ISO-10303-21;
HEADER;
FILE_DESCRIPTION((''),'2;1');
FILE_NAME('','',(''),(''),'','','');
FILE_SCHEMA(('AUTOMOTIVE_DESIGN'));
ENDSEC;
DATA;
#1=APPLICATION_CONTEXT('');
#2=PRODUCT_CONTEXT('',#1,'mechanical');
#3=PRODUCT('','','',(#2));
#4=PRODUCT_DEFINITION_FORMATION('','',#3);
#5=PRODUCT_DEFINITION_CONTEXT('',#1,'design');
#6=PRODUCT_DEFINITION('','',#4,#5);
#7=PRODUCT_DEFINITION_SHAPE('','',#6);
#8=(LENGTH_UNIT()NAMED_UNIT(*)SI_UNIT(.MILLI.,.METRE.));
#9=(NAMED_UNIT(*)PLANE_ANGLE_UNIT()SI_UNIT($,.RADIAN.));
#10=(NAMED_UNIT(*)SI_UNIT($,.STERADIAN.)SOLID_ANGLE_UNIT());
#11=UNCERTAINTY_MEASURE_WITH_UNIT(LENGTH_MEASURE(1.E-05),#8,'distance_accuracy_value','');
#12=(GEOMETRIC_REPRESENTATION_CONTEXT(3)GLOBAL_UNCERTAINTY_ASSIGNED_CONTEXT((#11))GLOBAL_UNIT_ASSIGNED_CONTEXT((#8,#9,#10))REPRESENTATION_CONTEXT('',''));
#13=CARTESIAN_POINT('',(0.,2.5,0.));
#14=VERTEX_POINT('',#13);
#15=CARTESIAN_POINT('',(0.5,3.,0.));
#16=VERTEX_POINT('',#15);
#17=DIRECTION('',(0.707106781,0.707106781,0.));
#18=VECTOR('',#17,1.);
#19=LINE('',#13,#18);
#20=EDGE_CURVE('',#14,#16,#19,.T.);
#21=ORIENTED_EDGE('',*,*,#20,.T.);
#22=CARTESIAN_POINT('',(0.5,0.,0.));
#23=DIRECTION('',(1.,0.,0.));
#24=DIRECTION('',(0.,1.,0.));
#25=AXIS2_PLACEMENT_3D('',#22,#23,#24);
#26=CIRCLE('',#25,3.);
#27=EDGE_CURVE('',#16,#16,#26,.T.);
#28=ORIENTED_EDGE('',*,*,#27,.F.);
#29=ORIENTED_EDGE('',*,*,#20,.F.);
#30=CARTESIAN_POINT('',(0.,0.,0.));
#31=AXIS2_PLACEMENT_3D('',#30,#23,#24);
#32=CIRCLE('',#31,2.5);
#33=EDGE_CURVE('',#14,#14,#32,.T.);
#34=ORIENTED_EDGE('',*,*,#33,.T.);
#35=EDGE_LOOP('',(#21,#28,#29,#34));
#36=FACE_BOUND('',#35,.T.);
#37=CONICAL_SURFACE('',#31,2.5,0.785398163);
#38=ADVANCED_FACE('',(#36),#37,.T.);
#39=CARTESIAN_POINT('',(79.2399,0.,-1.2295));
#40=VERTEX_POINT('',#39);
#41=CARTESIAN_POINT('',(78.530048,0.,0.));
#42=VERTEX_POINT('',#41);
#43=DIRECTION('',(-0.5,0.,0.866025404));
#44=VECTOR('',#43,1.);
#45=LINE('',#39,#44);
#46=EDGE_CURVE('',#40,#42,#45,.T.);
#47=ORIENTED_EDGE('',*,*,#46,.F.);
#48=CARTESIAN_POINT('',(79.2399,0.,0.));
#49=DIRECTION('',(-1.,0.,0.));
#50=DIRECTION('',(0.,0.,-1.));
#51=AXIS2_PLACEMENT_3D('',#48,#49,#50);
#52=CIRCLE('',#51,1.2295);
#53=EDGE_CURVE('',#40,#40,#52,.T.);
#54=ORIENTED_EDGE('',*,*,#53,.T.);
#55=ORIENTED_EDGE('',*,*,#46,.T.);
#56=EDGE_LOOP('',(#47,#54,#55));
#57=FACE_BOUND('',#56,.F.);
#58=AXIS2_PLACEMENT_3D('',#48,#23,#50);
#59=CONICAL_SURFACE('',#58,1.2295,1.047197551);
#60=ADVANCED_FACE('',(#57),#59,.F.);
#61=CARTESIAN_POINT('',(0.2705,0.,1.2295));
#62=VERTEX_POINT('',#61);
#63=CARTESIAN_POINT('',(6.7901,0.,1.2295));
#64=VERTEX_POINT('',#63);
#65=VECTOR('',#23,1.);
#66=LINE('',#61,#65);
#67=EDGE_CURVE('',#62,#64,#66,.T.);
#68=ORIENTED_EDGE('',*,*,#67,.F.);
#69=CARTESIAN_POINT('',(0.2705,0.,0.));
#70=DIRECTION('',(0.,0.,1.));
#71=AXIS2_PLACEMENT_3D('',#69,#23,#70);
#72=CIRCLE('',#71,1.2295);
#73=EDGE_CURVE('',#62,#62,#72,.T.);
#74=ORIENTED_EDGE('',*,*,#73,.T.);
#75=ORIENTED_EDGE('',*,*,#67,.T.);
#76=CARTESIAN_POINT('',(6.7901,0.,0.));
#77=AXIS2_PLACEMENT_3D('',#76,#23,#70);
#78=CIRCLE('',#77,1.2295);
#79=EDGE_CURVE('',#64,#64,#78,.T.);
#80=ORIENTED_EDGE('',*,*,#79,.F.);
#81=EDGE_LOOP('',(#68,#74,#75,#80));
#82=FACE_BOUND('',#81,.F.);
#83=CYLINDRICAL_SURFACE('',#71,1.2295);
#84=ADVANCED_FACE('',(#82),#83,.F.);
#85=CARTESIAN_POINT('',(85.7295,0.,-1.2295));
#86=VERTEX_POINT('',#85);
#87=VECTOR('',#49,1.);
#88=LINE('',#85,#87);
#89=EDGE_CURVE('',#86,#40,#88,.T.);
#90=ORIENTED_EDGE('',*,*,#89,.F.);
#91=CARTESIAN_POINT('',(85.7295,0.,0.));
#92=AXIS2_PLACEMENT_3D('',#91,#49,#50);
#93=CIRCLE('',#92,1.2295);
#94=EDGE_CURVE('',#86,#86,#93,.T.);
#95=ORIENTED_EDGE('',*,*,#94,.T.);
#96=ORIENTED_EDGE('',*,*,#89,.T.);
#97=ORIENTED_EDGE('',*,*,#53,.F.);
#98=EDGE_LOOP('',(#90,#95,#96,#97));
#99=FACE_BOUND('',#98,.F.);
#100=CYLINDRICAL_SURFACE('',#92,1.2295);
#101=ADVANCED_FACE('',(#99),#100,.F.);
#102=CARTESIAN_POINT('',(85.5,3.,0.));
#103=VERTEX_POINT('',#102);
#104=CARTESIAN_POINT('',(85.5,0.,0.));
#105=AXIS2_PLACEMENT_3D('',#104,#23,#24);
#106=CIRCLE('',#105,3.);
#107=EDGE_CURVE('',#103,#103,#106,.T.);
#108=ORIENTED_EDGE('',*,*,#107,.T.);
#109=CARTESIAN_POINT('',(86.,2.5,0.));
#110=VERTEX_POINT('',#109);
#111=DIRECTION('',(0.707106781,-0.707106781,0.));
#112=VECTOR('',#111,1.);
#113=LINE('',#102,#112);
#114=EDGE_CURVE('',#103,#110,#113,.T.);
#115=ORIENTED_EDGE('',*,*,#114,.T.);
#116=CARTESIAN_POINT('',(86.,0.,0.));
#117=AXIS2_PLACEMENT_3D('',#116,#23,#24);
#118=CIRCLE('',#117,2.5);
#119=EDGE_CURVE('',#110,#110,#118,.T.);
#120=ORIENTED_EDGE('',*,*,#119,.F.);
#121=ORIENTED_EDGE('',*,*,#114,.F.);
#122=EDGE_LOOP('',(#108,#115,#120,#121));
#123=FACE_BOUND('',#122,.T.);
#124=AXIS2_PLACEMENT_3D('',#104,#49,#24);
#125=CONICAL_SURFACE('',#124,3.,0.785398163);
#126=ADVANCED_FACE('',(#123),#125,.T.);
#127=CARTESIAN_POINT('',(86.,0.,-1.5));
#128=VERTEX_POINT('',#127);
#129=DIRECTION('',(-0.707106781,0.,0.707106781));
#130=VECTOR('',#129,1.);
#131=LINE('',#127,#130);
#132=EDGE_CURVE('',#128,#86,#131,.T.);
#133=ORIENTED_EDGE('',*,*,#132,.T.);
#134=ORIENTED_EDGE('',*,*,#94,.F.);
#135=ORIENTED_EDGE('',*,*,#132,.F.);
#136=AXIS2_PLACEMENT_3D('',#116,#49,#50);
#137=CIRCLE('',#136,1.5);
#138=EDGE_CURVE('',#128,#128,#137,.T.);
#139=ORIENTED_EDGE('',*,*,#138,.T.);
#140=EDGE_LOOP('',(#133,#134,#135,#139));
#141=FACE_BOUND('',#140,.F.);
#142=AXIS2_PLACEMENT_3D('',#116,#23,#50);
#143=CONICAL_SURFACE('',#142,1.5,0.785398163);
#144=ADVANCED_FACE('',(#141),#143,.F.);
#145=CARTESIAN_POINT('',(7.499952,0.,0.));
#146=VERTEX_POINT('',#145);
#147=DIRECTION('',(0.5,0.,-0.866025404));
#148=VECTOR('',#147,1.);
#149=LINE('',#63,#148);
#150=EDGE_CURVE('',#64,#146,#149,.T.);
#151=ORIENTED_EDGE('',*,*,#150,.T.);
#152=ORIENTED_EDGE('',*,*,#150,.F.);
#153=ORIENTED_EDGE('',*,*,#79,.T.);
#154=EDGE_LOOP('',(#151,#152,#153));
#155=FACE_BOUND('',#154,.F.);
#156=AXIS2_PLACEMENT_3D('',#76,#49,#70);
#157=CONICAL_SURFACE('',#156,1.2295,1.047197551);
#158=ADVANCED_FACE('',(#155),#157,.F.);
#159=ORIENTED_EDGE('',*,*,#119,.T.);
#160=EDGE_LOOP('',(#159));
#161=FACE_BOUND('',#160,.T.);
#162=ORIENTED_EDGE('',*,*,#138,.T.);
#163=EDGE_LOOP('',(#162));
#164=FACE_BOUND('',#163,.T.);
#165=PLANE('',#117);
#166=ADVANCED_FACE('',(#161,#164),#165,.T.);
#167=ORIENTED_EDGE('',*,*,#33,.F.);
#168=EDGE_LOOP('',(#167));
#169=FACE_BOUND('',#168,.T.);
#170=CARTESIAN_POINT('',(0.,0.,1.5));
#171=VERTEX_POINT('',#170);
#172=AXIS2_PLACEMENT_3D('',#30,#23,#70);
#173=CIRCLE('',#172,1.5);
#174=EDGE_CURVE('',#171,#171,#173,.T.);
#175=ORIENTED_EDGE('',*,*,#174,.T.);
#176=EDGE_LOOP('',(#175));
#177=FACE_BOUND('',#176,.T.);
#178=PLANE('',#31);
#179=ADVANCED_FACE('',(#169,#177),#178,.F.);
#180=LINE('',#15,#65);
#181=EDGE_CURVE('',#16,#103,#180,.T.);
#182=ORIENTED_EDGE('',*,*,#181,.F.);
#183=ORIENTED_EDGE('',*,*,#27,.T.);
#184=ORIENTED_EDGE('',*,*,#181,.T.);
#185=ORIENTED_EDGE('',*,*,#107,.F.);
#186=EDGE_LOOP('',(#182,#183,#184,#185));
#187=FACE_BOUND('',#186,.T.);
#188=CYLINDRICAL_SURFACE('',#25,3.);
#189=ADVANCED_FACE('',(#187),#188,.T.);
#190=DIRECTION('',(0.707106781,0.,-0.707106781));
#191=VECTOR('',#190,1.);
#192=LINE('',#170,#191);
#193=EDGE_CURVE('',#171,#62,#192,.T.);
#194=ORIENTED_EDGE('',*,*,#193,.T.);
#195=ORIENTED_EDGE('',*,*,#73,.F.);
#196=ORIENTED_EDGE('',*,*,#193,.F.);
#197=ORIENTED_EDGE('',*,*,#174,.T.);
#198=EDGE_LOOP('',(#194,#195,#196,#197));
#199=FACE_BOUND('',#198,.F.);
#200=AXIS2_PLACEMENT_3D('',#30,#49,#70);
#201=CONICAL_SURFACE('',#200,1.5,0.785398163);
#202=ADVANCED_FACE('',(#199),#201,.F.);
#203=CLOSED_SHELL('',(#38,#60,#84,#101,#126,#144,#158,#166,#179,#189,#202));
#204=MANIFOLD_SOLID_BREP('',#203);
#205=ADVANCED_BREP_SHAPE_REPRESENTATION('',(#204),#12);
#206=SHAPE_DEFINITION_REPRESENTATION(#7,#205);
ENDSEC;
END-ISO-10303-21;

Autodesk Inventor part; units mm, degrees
ref_plane "YZ Plane" through (0, 0, 0) normal (1, 0, 0) x (0, 1, 0)
ref_plane "XZ Plane" through (0, 0, 0) normal (0, 1, 0) x (-1, 0, 0)
ref_plane "XY Plane" through (0, 0, 0) normal (0, 0, 1) x (1, 0, 0)
sketch "Sketch_1" plane through (0, 0, 0) normal (0, 0, 1) x (1, 0, 0)
  line L0 (86, 0) -> (0, 0)
  line L1 (0, 0) -> (0, 2.5)
  line L2 (0, 2.5) -> (0.5, 3)
  line L3 (0.5, 3) -> (85.5, 3)
  line L4 (85.5, 3) -> (86, 2.5)
  line L5 (86, 2.5) -> (86, 0)
  line L6 (86, 0) -> (0, 0)
revolve "Revolution1" add sketch "Sketch_1" angle 360 about axis through (86, 0, 0) along (1, 0, 0)
sketch "Sketch2" plane through (0, 0, 0) normal (-1, 0, 0) x (0, 0, 1)
  point P0 (0, 0)
hole "Hole1" at (0, 0, 0) direction (1, 0, 0) diameter 2.459 depth 6.7901 tip angle 120 countersink diameter 3 countersink angle 90 thread size "M3x0.5" class "6H" standard "ISO Metric profile"
sketch "Sketch3" plane through (86, 0, 0) normal (1, 0, 0) x (0, 0, -1)
  point P0 (0, 0)
hole "Hole2" at (86, 0, 0) direction (-1, 0, 0) diameter 2.459 depth 6.7601 tip angle 120 countersink diameter 3 countersink angle 90 thread size "M3x0.5" class "6H" standard "ISO Metric profile"
properties part number "RDOB6-86-WMC3"
